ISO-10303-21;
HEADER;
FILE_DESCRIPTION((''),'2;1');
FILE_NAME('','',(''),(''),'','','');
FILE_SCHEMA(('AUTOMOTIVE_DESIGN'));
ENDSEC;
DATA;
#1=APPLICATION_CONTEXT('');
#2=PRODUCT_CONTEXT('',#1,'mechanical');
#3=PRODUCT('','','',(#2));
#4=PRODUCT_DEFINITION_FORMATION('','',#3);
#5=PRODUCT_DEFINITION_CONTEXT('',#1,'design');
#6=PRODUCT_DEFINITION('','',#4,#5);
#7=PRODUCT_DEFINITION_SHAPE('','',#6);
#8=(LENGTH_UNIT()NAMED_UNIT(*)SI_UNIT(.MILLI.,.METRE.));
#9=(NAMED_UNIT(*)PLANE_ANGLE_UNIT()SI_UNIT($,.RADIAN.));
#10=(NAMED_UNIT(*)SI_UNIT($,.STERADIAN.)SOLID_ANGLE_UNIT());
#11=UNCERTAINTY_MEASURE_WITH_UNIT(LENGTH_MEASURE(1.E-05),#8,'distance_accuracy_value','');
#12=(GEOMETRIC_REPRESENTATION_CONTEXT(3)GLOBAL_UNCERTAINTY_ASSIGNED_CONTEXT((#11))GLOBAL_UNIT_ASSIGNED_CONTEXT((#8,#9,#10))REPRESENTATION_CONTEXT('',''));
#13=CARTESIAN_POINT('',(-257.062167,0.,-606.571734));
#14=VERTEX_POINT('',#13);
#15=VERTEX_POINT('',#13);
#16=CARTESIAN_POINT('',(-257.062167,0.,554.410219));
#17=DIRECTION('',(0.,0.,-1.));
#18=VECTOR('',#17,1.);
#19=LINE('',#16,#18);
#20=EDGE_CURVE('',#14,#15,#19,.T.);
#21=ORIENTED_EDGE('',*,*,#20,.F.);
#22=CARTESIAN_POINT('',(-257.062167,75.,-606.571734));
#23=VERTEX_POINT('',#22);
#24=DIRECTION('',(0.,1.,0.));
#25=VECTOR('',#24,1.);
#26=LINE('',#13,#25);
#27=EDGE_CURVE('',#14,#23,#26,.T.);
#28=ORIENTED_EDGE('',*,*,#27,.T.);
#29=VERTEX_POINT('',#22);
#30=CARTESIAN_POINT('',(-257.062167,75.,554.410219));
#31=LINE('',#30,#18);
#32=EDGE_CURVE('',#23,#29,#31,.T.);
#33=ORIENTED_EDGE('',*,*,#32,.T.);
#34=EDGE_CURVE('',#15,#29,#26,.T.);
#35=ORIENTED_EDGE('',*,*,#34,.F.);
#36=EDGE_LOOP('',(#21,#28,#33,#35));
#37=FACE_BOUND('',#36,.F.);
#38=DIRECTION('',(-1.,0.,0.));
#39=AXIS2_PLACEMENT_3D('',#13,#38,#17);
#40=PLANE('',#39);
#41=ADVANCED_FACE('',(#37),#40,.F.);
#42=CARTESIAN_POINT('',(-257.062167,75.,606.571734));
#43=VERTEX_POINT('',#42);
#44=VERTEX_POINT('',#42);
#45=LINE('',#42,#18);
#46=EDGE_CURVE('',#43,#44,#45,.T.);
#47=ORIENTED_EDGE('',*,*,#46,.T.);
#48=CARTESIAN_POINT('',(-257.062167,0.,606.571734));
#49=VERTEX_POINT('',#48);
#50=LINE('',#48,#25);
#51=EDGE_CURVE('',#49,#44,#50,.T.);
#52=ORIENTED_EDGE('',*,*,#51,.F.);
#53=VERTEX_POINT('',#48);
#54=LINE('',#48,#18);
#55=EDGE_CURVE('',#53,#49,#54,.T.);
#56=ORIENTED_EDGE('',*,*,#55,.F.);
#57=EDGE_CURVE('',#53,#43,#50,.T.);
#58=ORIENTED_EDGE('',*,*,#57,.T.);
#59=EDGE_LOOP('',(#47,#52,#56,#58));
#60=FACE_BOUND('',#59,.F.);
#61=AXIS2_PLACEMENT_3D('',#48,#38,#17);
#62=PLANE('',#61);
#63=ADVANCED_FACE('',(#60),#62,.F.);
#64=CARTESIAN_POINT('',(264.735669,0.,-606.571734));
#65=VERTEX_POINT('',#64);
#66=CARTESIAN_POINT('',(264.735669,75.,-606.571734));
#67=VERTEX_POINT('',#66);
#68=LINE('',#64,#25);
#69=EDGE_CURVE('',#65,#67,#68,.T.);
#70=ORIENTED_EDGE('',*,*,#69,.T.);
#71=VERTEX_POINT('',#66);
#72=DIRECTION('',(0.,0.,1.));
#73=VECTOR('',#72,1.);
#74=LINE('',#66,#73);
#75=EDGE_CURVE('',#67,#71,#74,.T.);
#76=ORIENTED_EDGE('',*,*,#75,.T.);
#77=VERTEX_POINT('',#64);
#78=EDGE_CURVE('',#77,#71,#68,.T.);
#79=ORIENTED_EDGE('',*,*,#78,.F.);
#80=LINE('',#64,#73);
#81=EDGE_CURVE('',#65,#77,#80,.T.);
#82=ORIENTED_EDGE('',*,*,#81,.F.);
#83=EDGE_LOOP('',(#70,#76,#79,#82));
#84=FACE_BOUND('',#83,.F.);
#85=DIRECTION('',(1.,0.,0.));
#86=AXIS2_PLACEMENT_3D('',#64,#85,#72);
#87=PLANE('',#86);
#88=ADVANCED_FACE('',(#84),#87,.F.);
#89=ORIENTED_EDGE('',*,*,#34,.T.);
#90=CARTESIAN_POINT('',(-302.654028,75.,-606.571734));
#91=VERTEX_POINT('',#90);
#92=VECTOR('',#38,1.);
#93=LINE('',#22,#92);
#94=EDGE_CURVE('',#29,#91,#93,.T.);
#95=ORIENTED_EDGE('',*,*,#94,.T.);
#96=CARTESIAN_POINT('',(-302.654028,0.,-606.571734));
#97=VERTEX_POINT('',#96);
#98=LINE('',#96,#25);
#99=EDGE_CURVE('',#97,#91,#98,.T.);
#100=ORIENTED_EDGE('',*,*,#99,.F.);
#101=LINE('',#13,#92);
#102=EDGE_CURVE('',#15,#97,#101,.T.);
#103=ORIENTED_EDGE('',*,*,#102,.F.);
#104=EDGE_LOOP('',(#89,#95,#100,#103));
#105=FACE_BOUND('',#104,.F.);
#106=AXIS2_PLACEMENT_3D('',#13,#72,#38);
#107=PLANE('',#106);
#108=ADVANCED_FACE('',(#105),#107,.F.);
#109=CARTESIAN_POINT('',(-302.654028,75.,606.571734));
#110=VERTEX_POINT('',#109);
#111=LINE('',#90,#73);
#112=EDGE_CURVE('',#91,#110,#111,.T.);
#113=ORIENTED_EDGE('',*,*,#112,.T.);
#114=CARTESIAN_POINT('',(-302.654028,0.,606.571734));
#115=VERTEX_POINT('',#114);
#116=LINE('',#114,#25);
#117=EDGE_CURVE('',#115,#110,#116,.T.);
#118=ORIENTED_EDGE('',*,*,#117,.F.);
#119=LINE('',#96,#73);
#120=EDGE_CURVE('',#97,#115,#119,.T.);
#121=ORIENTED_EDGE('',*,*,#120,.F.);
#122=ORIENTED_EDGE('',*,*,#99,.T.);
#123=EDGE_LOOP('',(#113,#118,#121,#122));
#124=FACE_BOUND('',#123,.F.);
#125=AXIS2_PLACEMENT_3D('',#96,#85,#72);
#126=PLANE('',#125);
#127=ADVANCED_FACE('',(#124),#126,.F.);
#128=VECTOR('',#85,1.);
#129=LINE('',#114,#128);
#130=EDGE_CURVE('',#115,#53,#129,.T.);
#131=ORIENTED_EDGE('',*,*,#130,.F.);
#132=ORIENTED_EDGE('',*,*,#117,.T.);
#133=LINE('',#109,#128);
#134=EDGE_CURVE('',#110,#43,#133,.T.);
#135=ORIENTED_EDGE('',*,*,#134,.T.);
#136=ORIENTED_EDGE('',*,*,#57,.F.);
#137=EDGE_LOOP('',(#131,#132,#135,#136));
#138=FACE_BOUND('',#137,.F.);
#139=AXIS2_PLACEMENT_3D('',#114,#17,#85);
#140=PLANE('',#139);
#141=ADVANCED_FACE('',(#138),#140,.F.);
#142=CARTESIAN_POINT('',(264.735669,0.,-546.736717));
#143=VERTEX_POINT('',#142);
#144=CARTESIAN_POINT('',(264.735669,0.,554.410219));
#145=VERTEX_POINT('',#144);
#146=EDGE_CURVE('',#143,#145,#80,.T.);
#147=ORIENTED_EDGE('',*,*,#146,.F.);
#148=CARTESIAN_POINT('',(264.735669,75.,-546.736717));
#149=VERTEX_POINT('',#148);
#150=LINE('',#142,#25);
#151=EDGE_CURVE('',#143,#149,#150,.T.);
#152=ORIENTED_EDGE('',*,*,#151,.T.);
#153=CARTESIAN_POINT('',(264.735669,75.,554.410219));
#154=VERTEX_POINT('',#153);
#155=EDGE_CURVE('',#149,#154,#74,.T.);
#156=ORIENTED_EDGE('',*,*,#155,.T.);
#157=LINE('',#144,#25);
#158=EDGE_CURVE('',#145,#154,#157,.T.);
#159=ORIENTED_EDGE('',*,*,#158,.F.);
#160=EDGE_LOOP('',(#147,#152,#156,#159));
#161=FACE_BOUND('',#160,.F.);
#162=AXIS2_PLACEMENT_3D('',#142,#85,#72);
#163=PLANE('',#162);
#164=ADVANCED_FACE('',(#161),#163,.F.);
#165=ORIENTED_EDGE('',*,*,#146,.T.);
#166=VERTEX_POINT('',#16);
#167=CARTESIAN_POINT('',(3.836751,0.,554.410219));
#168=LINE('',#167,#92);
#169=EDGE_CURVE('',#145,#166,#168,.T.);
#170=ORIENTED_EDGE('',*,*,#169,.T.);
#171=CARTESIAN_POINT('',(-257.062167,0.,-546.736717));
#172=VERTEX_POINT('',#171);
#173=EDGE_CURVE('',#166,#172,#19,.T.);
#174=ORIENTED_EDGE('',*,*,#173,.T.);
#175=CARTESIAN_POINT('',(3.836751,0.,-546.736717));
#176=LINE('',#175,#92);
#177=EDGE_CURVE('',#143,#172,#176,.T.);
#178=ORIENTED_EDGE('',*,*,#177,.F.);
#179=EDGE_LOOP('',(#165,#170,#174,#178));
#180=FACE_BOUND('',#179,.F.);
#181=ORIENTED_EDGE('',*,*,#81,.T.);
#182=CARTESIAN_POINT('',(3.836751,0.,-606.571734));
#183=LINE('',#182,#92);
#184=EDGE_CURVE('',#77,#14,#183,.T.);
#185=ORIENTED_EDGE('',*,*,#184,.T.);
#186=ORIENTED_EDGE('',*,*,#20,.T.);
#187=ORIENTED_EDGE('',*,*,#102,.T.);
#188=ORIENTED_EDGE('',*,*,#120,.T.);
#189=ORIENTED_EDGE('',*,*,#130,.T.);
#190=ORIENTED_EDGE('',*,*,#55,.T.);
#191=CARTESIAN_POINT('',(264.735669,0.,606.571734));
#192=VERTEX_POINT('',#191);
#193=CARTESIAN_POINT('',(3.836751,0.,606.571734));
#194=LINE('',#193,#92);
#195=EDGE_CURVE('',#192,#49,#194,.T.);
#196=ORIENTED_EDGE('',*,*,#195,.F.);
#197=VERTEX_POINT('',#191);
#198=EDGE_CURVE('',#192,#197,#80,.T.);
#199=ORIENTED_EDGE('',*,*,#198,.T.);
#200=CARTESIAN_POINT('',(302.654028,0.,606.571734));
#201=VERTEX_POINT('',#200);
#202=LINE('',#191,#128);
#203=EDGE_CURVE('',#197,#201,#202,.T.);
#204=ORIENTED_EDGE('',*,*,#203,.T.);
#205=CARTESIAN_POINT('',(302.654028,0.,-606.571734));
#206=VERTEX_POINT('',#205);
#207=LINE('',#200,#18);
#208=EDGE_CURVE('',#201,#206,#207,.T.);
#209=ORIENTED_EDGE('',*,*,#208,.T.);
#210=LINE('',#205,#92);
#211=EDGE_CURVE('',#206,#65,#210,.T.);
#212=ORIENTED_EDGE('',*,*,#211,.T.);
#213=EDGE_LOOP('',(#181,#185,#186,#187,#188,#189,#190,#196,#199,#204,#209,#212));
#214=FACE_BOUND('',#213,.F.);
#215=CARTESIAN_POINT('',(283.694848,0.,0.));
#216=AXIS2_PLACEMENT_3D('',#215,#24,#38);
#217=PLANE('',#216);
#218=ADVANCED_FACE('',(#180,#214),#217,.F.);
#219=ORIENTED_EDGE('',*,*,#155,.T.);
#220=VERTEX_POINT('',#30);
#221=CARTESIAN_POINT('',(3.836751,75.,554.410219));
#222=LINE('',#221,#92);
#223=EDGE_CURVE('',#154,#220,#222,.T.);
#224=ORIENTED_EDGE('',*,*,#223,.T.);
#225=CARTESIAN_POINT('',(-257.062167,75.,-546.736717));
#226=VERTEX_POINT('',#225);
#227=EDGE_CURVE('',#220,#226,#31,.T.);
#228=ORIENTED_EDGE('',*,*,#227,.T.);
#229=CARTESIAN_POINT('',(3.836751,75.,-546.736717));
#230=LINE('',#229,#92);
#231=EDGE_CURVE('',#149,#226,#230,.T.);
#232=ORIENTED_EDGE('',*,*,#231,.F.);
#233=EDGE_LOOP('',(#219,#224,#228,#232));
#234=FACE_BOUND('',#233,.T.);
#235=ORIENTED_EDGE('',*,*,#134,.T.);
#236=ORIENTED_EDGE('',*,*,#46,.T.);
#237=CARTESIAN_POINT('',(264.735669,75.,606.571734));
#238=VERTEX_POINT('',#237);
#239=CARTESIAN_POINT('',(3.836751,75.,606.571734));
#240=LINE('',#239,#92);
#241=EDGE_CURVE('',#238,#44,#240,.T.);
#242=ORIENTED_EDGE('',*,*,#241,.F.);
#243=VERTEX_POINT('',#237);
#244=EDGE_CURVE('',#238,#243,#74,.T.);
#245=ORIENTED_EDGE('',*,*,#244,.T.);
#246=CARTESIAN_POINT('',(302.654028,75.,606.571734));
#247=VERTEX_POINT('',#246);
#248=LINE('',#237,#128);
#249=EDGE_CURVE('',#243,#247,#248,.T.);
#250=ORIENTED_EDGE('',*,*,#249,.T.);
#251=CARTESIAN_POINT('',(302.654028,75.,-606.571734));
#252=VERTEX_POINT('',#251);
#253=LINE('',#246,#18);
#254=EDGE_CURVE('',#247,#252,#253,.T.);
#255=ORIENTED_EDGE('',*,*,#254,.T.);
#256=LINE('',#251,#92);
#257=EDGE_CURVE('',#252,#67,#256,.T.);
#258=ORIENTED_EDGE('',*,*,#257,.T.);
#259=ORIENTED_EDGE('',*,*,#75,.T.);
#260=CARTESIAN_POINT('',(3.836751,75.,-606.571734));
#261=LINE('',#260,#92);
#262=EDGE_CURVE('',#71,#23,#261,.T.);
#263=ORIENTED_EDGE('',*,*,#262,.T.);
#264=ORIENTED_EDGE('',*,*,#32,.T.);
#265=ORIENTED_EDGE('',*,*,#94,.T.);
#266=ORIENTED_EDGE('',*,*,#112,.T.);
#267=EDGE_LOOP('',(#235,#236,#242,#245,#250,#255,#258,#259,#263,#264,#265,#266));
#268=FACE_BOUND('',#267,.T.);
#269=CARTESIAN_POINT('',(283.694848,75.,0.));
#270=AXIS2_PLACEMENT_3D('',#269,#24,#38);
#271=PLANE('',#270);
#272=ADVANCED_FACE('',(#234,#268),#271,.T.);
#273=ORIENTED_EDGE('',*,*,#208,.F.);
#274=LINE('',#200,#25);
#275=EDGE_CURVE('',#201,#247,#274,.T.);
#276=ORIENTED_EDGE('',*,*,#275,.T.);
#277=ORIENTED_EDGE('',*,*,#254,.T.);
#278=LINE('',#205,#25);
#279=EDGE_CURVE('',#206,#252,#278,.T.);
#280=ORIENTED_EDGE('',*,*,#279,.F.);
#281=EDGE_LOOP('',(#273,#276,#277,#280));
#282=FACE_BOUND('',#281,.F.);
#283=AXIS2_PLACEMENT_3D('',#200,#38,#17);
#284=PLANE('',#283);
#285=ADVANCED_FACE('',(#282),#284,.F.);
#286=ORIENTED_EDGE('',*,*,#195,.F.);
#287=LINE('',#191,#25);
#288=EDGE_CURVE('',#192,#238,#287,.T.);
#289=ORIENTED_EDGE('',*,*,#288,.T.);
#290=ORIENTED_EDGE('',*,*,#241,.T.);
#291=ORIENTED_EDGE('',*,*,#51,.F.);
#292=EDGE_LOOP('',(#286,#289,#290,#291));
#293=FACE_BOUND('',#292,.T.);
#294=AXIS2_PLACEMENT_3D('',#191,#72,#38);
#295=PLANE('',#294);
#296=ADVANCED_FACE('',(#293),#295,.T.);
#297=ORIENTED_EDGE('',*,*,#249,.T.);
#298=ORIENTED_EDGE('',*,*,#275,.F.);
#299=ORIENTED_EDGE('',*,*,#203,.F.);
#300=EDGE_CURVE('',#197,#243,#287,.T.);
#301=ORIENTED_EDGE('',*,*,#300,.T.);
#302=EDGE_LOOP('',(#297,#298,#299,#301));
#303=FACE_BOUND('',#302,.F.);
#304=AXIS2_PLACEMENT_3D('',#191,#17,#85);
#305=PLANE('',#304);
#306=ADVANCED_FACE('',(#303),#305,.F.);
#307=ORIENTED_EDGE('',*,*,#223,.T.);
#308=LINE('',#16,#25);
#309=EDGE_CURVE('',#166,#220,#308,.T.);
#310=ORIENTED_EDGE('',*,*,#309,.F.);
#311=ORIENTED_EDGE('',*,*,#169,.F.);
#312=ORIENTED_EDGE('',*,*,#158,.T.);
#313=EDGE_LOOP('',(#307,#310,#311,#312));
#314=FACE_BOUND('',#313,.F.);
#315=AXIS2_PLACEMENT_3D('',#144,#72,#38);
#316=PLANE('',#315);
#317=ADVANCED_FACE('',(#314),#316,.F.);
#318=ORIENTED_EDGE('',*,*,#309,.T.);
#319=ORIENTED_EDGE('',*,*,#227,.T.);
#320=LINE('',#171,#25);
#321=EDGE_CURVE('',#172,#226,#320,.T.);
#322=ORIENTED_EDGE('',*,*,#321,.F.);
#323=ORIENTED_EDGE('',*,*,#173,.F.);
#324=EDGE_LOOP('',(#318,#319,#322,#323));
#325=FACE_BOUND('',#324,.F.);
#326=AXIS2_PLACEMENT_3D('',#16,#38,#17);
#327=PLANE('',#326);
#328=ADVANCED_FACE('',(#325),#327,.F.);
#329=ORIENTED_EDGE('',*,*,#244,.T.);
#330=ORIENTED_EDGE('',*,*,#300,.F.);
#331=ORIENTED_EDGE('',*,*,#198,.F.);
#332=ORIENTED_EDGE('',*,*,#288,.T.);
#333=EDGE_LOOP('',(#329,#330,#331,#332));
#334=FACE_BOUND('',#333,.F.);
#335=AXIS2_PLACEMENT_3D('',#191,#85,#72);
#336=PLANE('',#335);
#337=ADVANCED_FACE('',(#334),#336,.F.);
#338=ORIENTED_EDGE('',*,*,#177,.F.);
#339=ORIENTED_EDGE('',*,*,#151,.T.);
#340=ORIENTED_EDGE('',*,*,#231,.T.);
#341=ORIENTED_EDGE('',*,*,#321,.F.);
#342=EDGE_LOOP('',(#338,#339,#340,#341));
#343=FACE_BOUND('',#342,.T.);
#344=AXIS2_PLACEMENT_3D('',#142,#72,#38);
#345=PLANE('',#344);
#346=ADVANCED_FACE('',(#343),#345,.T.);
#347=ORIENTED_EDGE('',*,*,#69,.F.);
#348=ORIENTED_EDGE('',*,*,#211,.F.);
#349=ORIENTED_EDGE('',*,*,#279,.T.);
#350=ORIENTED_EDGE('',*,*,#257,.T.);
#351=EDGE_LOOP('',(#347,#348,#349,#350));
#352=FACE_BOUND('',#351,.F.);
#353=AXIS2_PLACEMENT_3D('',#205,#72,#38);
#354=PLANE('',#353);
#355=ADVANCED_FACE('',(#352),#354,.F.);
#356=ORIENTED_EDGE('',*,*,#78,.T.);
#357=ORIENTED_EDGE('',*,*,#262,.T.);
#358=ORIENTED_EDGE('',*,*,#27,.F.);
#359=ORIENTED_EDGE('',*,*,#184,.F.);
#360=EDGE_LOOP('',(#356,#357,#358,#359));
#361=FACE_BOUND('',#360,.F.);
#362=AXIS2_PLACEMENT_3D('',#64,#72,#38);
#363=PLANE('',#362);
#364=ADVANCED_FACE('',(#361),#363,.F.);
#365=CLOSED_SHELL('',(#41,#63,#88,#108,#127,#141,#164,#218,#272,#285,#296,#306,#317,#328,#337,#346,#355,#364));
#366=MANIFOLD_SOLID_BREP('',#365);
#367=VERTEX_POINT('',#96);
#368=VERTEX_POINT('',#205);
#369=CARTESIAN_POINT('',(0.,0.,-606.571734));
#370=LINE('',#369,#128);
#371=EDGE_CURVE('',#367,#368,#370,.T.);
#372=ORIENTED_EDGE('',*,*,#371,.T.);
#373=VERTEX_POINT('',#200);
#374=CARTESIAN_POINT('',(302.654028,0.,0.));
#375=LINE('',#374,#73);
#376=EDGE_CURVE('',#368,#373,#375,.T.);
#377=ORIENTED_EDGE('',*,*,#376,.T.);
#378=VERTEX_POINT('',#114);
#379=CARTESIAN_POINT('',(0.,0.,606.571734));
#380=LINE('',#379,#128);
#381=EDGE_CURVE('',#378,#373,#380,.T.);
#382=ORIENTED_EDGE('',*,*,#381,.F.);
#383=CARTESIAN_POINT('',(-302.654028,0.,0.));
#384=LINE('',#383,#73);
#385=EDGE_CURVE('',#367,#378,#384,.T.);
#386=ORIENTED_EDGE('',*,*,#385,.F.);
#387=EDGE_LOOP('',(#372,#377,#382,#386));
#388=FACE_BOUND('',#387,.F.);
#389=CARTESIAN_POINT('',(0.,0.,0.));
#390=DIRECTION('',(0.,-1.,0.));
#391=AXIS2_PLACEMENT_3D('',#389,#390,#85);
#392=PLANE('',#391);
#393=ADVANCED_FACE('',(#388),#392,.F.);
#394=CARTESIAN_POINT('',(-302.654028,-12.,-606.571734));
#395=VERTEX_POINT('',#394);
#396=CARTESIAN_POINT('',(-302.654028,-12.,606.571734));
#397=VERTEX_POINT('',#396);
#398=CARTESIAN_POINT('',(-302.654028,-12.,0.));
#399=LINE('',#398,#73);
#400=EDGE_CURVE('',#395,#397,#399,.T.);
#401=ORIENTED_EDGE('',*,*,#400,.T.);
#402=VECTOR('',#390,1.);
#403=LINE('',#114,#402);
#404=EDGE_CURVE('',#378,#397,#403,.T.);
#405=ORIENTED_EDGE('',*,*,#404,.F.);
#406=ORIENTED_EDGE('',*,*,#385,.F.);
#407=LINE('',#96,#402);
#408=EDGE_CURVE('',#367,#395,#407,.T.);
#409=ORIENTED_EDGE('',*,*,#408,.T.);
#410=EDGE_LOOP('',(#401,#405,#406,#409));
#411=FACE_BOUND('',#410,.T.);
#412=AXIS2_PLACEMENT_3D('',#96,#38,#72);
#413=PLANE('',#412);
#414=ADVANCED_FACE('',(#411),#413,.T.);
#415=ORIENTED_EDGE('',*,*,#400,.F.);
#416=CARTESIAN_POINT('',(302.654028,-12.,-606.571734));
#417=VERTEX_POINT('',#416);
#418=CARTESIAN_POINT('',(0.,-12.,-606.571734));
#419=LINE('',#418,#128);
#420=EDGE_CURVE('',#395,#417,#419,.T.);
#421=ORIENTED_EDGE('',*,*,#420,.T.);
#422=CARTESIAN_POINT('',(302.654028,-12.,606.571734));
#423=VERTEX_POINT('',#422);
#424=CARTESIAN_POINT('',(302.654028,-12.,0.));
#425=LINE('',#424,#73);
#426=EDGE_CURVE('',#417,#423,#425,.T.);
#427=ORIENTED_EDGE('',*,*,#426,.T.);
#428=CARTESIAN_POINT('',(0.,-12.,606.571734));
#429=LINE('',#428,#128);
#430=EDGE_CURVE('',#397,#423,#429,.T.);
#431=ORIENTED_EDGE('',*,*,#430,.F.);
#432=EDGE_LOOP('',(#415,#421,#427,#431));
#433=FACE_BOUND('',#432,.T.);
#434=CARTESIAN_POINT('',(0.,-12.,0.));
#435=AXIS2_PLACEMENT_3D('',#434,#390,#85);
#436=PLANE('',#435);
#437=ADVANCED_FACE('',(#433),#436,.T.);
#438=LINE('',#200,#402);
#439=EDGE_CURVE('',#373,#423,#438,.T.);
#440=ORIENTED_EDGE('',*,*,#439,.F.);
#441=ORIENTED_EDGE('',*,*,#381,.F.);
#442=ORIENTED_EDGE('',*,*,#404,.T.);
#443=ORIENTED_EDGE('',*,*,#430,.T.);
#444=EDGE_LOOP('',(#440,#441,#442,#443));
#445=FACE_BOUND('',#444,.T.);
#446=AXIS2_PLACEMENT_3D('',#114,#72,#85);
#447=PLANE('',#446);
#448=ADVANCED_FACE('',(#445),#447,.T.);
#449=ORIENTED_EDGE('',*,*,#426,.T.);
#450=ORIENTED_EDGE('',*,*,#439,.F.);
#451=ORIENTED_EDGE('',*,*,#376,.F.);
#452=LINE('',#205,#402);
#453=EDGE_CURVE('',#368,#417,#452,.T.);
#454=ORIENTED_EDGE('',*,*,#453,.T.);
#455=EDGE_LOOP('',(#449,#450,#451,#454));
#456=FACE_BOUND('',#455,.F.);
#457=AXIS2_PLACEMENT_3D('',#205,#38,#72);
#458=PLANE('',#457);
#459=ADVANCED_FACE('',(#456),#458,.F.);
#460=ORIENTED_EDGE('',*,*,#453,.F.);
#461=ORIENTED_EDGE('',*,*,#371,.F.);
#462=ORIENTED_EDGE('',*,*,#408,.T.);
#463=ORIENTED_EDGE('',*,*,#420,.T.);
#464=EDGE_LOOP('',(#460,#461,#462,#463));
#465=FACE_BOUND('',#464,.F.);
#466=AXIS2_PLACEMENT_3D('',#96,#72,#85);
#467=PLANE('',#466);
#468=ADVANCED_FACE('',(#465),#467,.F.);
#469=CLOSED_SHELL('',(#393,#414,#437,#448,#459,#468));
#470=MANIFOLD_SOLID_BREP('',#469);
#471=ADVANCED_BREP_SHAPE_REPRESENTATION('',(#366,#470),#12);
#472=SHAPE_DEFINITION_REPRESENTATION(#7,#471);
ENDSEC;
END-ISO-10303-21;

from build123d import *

# Parameters (mm, degrees)
F0_W     = 605.308056
F0_H     = 1213.143468
F1_DEPTH = 12
F2_W     = 521.797836
F2_H     = 52.161515
F2_H_2   = 59.835017
F3_DEPTH = 75


with BuildPart() as f1:
    # F0 (on Front) → F1 (new body)
    with BuildSketch(Plane.XZ):
        Rectangle(F0_W, F0_H)
    extrude(amount=F1_DEPTH)


with BuildPart() as f3:
    # F2 (on face) → F3 (new body)
    with BuildSketch(Plane(origin=(0, 0, 0), x_dir=(-1, 0, 0), z_dir=(0, 1, 0))):
        Polygon((-264.735669, 606.571734), (-302.654028, 606.571734), (-302.654028, -606.571734), (-264.735669, -606.571734), (-264.735669, -546.736717), (-264.735669, 554.410219), align=None)
        with Locations((-3.836751, 580.490976)):
            Rectangle(F2_W, F2_H)
        Polygon((302.654028, 606.571734), (257.062167, 606.571734), (257.062167, 554.410219), (257.062167, -546.736717), (257.062167, -606.571734), (302.654028, -606.571734), align=None)
        with Locations((-3.836751, -576.654225)):
            Rectangle(F2_W, F2_H_2)
    extrude(amount=F3_DEPTH)


solid = Compound([f1.part, f3.part])
